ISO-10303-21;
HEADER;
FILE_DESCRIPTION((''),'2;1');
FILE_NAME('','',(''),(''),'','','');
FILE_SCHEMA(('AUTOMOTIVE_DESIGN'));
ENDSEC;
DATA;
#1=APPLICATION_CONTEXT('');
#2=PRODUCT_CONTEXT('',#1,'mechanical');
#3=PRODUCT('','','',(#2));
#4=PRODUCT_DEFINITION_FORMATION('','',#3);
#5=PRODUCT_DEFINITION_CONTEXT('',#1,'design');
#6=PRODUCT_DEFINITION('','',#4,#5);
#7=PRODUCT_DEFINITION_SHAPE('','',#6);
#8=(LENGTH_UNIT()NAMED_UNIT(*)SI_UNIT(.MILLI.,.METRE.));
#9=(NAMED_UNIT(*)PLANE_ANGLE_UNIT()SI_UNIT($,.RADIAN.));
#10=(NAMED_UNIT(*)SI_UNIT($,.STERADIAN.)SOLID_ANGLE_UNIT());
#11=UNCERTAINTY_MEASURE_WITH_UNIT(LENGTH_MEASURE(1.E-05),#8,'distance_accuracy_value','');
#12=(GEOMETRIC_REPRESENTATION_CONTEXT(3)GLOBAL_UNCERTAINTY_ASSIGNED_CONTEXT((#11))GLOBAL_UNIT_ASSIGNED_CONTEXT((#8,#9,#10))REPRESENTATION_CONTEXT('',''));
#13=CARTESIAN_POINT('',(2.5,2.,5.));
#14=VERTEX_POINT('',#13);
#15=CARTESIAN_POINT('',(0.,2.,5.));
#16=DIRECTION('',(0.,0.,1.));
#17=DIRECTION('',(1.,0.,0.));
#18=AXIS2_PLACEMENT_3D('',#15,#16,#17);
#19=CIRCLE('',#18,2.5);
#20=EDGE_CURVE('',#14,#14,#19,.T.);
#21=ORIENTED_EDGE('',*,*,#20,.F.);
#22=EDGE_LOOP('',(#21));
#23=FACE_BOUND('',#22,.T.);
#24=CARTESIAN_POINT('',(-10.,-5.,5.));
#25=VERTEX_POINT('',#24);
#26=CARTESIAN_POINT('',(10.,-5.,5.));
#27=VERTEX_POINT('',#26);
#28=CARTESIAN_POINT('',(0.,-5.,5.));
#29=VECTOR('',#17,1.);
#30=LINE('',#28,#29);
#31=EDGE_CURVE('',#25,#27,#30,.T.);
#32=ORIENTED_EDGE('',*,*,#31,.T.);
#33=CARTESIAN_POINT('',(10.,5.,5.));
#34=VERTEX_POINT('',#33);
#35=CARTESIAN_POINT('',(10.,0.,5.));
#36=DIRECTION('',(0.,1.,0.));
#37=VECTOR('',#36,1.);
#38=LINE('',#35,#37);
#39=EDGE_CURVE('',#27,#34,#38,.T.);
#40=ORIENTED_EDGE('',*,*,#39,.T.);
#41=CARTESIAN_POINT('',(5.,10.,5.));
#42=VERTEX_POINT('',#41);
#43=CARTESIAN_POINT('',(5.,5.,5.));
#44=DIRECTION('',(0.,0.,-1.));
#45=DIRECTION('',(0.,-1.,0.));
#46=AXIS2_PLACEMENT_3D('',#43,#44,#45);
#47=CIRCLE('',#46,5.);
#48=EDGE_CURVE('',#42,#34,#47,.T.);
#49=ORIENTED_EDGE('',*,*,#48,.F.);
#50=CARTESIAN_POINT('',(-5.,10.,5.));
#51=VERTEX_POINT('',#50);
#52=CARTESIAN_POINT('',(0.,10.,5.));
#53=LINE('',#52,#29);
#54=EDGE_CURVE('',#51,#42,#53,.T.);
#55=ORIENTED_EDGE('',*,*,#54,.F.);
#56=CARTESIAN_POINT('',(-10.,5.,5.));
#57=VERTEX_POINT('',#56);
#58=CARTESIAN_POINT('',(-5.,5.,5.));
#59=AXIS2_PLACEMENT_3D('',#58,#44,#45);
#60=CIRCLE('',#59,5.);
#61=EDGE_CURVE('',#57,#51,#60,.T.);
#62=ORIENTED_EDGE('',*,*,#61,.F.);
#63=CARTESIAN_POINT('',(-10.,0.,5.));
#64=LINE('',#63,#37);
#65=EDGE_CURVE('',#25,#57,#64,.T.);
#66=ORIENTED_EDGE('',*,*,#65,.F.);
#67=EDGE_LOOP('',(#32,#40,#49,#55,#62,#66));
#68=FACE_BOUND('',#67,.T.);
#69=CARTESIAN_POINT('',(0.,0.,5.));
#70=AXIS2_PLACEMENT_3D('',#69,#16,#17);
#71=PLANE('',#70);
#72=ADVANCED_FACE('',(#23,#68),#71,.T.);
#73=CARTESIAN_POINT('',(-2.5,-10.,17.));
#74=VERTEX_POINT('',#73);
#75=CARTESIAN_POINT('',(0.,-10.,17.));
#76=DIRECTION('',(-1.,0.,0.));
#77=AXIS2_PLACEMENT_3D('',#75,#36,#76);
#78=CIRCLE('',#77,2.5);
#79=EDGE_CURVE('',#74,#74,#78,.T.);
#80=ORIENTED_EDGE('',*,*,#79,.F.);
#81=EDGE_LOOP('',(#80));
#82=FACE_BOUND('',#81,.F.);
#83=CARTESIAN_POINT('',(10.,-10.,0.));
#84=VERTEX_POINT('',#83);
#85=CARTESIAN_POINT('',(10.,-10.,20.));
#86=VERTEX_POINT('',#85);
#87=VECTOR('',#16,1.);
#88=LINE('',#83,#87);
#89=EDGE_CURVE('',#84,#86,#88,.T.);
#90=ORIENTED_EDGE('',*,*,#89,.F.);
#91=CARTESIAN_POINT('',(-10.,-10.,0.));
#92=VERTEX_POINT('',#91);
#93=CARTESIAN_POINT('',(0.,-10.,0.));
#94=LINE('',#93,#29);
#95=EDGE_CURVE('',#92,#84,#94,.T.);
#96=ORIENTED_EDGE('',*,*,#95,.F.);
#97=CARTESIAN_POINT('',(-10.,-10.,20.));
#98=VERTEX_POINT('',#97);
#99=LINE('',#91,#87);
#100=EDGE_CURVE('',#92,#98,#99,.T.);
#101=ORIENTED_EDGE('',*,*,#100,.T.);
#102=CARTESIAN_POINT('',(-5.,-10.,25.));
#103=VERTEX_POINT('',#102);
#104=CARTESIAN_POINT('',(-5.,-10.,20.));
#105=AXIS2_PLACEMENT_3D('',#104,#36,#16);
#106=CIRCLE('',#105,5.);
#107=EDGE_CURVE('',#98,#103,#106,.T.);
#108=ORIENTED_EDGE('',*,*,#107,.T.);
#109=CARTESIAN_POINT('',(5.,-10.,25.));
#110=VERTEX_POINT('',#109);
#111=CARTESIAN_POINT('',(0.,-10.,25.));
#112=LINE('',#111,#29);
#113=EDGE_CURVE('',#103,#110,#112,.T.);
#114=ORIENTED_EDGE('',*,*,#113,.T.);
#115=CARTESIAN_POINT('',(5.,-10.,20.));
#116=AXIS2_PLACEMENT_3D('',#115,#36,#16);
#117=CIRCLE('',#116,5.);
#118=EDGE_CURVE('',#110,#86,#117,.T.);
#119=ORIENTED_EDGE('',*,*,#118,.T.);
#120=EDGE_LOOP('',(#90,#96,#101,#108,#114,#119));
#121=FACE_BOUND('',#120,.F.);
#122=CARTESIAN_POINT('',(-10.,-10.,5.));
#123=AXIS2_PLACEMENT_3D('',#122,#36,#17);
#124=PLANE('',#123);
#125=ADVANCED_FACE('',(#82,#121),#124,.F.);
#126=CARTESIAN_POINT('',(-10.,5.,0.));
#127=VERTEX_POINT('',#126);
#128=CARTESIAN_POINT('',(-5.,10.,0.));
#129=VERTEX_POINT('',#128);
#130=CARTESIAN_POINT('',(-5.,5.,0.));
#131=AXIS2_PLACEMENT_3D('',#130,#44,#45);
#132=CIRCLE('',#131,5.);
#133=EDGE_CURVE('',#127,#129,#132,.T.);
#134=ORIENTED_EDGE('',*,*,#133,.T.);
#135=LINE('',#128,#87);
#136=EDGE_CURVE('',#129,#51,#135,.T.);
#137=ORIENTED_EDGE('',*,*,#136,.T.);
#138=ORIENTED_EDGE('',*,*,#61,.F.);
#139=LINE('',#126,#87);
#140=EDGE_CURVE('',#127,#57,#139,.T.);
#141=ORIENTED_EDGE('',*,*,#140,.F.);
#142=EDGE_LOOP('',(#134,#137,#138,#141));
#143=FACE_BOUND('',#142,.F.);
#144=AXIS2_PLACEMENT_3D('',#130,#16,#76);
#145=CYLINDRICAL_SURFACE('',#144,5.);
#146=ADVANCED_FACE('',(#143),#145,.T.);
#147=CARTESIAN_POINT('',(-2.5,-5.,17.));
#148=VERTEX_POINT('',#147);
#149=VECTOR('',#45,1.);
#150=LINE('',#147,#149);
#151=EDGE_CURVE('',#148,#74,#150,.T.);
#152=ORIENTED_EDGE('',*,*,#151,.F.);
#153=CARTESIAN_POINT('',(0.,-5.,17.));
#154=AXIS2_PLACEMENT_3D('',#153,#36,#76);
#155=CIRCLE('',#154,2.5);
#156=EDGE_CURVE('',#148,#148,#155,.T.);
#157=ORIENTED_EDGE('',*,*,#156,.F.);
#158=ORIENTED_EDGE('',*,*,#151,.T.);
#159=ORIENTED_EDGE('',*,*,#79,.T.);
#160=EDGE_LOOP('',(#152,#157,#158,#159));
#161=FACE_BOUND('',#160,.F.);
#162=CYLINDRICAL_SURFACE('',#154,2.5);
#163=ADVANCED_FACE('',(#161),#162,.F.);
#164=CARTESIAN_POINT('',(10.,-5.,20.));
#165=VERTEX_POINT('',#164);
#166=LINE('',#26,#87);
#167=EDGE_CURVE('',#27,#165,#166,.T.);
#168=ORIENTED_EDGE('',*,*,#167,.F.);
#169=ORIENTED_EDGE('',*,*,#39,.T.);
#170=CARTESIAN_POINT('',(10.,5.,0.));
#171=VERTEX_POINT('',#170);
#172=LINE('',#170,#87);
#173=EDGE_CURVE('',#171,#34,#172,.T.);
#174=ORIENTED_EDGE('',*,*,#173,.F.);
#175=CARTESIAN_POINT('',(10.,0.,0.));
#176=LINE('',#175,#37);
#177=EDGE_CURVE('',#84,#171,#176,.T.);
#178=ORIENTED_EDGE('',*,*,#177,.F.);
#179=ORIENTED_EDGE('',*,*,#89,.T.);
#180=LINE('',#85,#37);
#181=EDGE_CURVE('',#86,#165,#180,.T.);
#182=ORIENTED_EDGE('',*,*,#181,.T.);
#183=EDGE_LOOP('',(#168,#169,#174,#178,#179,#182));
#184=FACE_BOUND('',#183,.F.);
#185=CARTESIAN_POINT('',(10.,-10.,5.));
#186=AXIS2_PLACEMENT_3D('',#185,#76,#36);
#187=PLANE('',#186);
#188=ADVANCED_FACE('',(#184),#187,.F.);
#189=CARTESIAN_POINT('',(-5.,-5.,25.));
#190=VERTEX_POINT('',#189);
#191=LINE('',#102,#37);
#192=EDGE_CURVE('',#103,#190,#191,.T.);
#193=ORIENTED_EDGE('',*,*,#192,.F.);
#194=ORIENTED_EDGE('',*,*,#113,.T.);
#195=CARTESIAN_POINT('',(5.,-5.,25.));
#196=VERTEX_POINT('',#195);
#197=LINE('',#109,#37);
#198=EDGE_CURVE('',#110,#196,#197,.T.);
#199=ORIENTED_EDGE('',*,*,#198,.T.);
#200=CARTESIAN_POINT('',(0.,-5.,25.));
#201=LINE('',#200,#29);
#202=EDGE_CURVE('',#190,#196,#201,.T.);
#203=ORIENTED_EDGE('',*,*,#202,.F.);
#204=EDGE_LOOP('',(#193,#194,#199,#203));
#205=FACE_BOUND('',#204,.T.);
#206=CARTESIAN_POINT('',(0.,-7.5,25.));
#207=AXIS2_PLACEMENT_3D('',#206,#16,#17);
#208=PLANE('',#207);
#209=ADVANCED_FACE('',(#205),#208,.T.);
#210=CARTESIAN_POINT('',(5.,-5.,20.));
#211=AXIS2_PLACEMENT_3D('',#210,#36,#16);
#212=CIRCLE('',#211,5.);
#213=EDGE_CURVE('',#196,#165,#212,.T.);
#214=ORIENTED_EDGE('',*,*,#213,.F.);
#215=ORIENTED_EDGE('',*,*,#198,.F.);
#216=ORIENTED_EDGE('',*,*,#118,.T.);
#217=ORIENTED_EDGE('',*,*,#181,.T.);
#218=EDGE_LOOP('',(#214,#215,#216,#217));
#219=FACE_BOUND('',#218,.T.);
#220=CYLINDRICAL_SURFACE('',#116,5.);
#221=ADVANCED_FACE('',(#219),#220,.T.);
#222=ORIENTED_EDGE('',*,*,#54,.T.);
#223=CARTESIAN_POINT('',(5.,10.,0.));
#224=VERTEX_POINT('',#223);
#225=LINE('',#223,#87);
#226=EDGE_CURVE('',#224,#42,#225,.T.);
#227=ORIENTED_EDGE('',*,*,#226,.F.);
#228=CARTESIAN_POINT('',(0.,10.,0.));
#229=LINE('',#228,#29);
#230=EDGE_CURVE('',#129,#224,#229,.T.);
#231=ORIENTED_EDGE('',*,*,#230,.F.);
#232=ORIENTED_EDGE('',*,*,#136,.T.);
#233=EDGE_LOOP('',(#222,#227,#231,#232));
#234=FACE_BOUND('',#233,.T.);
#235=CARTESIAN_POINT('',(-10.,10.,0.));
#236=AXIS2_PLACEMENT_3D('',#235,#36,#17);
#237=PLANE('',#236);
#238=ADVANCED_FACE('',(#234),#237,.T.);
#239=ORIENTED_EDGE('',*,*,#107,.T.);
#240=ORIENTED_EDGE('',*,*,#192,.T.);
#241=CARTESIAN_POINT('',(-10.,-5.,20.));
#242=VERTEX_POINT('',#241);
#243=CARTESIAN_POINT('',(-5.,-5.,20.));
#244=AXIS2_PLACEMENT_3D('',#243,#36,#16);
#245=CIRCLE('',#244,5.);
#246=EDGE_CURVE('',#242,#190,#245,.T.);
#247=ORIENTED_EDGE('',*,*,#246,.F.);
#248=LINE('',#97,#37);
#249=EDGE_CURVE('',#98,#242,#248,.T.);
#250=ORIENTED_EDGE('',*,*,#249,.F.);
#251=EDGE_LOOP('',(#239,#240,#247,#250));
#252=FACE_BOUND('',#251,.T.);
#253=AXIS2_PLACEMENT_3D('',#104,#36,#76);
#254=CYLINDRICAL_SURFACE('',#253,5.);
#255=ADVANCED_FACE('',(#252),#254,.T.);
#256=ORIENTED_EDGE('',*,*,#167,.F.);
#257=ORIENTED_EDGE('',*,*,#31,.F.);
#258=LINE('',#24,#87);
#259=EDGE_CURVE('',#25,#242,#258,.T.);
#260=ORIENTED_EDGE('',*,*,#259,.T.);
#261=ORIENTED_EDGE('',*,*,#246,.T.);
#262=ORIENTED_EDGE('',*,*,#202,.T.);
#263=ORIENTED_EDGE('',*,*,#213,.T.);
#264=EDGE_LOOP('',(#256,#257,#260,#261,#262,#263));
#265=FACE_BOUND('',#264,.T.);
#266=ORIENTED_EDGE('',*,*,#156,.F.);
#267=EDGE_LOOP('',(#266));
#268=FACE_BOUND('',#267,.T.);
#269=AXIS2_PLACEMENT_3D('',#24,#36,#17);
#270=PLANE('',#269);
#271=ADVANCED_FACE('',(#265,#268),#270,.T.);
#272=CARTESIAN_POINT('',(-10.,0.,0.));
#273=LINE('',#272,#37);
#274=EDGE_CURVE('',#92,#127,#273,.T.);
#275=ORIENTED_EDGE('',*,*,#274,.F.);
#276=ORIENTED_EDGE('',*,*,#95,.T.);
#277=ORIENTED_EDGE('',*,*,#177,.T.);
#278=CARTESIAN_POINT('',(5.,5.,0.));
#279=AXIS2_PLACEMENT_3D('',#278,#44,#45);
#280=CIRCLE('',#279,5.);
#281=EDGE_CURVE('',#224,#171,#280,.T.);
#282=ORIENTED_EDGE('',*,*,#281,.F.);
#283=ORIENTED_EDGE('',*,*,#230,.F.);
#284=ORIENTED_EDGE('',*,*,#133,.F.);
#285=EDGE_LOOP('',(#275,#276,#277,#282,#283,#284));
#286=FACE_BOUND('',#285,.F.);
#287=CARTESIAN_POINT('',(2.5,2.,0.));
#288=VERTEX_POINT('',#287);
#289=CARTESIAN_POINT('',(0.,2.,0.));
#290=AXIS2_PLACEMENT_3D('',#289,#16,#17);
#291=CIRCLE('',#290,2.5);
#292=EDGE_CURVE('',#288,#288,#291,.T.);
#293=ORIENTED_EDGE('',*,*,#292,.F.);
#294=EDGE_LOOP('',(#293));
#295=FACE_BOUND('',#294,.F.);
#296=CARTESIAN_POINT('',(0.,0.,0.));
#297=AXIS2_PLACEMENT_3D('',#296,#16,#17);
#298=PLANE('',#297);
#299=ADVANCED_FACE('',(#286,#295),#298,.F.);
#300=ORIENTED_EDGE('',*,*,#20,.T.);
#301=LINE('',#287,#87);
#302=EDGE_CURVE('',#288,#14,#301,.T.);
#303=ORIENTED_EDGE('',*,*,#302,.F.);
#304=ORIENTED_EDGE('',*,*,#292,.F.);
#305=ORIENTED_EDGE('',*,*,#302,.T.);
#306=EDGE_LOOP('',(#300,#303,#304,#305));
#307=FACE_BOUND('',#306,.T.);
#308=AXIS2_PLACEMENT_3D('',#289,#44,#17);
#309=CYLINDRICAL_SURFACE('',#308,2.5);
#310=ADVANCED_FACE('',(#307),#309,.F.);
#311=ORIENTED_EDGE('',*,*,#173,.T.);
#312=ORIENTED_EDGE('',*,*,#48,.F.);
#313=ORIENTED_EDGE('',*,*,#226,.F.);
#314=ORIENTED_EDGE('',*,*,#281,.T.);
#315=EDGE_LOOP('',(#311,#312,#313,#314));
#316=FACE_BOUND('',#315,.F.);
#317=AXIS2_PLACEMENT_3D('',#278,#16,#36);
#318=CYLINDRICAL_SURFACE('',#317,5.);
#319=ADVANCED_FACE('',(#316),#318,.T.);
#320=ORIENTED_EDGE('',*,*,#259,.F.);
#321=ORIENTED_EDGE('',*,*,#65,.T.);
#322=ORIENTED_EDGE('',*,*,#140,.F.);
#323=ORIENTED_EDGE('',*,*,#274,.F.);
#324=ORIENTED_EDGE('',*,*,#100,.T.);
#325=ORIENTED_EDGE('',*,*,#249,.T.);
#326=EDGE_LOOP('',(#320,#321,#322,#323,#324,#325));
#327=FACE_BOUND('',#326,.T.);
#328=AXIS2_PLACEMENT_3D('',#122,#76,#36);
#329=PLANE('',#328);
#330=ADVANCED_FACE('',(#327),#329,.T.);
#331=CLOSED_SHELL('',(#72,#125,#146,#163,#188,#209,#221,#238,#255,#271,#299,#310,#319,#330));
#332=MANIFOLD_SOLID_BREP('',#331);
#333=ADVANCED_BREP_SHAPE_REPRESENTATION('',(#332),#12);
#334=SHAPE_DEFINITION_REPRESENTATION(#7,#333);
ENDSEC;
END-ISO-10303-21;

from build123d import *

# Parameters (mm, degrees)
F0_W     = 20
F0_H     = 20
F0_R     = 2.5
F1_DEPTH = 5
F2_W     = 20
F2_H     = 5
F3_DEPTH = 20
F4_R     = 2.5
F5_DEPTH = 5.001
F6_R     = 5


with BuildPart() as f1:
    # F0 (on Top) → F1 (new body)
    with BuildSketch(Plane.XY):
        Rectangle(F0_W, F0_H)
        with Locations((0, 2)):
            Circle(F0_R, mode=Mode.SUBTRACT)
    extrude(amount=F1_DEPTH)

    # F2 (on face) → F3 (join)
    with BuildSketch(Plane.XY.offset(5)):
        with Locations((0, -7.5)):
            Rectangle(F2_W, F2_H)
    extrude(amount=F3_DEPTH)

    # F4 (on face) → F5 (cut, through all)
    with BuildSketch(Plane(origin=(0, -5, 0), x_dir=(-1, 0, 0), z_dir=(0, 1, 0))):
        with Locations((0, 17)):
            Circle(F4_R)
    extrude(amount=-F5_DEPTH, mode=Mode.SUBTRACT)

    # F6
    f6_edges = [f1.edges().sort_by_distance(p)[0] for p in [
        (-10, -7.5, 25),
        (10, -7.5, 25),
        (10, 10, 2.5),
        (-10, 10, 2.5),
    ]]
    fillet(f6_edges, radius=F6_R)


solid = f1.part
